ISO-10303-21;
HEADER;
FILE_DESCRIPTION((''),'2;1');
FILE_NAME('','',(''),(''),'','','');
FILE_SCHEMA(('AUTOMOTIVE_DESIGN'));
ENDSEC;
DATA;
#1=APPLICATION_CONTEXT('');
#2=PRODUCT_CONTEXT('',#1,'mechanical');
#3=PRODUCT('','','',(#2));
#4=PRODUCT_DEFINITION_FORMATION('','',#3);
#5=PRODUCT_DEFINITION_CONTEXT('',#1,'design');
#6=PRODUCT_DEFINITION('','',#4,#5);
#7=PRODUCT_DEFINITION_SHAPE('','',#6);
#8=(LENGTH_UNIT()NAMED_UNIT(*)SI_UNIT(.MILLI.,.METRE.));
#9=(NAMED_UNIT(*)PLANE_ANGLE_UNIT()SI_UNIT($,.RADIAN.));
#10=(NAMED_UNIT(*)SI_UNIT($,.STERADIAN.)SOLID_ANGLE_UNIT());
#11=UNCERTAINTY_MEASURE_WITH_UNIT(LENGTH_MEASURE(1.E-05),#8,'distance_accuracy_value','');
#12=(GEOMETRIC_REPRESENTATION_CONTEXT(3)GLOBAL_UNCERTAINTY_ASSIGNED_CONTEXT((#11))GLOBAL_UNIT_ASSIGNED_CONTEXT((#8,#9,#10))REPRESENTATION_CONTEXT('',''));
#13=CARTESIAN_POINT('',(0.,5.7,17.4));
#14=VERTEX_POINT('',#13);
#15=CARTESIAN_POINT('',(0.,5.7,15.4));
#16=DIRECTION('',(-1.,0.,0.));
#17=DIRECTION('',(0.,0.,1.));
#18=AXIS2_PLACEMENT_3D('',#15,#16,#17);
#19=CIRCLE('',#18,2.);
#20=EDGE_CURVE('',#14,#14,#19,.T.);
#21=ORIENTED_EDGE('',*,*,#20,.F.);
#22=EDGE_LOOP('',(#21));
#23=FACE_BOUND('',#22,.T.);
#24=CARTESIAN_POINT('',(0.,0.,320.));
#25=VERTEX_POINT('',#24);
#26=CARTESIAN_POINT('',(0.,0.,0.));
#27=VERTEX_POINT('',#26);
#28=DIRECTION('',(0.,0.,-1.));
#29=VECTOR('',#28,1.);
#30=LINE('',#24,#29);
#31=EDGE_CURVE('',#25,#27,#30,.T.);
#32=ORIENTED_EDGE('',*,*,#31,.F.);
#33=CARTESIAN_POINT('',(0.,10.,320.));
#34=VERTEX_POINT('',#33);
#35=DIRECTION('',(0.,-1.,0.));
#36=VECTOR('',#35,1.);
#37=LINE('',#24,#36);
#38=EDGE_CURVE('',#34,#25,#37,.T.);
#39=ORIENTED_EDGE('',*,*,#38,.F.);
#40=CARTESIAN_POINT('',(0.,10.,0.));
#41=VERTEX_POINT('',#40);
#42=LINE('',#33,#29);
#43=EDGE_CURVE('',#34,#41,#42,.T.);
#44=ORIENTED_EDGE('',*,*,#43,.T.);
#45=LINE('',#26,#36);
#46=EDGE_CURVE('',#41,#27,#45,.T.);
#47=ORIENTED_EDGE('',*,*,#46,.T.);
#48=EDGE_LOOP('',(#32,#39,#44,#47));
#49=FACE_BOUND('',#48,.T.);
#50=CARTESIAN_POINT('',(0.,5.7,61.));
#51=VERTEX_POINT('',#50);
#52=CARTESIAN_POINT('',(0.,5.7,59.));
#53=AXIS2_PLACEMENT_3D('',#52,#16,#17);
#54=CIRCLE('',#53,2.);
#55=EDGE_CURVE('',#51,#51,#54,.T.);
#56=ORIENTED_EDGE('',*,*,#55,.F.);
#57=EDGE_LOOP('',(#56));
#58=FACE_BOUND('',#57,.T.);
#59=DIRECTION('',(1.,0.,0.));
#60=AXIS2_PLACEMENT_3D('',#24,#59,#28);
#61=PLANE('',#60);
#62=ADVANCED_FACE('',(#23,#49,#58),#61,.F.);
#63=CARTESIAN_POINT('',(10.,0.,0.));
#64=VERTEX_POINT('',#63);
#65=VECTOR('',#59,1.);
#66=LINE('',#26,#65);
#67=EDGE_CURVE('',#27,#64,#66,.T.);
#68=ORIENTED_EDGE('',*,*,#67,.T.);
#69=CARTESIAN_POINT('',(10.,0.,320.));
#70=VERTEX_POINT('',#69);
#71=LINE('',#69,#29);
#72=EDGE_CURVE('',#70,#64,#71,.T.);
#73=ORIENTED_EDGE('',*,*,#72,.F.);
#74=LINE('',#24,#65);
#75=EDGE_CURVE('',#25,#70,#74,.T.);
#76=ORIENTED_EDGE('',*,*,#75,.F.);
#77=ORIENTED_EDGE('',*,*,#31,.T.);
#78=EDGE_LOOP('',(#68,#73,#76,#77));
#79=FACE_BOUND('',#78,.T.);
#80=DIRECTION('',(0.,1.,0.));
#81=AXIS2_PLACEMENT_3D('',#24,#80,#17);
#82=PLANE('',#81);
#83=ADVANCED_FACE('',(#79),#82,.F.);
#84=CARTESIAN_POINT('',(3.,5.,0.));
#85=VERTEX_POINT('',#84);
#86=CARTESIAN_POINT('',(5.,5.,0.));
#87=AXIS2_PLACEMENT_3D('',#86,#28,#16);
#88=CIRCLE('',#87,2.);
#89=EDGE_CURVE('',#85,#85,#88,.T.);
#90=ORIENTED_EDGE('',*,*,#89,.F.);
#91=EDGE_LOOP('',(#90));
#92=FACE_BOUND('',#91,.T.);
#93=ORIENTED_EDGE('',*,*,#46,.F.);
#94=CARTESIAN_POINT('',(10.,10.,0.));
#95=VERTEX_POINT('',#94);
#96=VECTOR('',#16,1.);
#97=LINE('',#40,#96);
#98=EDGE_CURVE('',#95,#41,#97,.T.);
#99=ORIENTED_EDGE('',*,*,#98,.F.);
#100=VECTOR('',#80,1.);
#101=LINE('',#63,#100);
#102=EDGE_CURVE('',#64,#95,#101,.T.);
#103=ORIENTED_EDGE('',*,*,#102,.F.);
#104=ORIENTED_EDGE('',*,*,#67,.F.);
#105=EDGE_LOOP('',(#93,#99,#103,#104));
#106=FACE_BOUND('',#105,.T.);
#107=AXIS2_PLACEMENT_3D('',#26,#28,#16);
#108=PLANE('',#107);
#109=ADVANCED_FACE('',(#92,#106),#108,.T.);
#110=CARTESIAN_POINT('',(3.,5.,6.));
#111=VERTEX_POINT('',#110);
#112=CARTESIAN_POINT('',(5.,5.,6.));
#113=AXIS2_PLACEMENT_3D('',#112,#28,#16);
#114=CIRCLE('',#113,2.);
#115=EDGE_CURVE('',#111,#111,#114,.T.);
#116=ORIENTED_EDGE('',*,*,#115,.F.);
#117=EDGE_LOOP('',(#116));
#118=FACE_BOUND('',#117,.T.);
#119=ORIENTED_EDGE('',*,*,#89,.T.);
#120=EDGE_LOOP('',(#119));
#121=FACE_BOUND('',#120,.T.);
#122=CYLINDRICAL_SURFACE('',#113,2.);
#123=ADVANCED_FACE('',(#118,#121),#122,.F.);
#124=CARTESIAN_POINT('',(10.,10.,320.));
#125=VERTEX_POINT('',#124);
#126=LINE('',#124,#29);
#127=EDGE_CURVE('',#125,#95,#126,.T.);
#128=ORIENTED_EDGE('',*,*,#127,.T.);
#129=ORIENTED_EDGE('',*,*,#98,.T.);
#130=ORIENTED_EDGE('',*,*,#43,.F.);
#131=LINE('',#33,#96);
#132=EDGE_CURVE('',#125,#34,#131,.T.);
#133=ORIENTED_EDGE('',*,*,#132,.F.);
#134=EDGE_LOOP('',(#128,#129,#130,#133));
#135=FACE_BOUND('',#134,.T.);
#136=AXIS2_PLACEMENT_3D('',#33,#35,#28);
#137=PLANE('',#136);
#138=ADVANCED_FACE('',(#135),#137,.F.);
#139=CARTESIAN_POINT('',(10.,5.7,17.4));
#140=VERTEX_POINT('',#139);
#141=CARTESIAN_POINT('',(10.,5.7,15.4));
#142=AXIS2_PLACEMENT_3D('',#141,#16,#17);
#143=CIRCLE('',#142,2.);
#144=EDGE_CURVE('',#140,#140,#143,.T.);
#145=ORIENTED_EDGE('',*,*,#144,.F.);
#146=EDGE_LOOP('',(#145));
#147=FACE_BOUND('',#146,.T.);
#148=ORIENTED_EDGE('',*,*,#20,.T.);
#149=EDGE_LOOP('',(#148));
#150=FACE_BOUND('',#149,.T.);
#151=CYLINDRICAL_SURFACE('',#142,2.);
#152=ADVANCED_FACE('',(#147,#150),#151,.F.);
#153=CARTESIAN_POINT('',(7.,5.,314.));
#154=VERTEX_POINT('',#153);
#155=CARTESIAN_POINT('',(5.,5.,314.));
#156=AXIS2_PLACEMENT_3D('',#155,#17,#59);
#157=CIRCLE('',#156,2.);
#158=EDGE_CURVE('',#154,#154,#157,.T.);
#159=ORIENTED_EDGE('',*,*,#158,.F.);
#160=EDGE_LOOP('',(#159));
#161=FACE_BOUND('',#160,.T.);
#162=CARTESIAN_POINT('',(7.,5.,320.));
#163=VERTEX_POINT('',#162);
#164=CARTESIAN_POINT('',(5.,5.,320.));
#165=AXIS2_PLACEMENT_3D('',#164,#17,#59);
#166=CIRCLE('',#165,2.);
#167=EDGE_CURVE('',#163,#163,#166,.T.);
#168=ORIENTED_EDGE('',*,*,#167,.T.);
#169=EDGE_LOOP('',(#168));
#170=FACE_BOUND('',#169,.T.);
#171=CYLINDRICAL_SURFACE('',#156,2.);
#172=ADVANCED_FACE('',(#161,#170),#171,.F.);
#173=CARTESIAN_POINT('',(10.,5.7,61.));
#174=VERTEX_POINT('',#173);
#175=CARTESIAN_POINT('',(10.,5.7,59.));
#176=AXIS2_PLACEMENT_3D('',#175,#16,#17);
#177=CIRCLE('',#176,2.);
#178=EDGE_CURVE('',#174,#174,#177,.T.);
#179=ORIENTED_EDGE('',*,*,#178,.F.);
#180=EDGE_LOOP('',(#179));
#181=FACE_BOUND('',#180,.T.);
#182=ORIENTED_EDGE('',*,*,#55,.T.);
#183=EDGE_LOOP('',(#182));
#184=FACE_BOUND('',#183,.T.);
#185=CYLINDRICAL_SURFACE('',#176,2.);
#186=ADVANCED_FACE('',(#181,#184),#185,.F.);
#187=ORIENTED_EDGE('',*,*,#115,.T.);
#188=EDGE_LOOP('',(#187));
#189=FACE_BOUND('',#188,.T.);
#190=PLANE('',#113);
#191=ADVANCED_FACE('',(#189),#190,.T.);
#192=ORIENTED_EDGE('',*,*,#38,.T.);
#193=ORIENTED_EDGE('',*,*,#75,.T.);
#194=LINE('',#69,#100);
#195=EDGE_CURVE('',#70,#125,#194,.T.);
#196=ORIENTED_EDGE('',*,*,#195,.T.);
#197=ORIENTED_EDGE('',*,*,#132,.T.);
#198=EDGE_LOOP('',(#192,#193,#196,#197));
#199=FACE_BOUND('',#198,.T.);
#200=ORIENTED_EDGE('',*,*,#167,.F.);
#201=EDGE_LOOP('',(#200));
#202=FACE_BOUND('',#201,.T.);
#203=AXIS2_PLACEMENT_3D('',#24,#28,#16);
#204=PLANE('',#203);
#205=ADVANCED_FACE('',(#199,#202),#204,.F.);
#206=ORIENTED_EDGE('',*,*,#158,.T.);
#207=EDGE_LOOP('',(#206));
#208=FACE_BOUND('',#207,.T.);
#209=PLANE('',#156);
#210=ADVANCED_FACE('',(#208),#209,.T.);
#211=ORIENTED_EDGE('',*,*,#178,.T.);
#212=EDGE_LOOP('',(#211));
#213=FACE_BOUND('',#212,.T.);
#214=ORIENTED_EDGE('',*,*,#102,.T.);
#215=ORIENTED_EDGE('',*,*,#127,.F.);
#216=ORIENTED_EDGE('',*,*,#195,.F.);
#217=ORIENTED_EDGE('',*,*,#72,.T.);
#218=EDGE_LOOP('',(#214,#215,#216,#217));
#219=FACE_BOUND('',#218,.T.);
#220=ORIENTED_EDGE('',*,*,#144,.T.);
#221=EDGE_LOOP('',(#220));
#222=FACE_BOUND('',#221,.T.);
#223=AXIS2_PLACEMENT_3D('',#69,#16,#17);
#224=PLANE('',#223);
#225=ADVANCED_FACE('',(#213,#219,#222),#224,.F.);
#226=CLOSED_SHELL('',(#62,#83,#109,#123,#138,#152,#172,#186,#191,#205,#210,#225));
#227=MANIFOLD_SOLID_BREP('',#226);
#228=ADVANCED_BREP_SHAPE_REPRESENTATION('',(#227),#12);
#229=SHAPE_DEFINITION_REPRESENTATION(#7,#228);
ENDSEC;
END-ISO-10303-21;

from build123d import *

# Parameters (mm, degrees)
ESQUISSE1_W             = 10
ESQUISSE1_H             = 10
BOSS_EXTRU_1_DEPTH      = 320
ESQUISSE2_R             = 2
ENL_V_MAT_EXTRU_1_DEPTH = 321.312347561
ESQUISSE3_R             = 2
ENL_V_MAT_EXTRU_2_DEPTH = 6
ENL_V_START             = -6
ESQUISSE4_R             = 2
ENL_V_MAT_EXTRU_3_DEPTH = 6


with BuildPart() as part:
    # Esquisse1 → Boss.-Extru.1 (new body)
    with BuildSketch(Plane.XY):
        with Locations((5, 5)):
            Rectangle(ESQUISSE1_W, ESQUISSE1_H)
    extrude(amount=BOSS_EXTRU_1_DEPTH)

    # Esquisse2 → Enlèv. mat.-Extru.1 (cut, through all)
    with BuildSketch(Plane.ZY):
        with Locations((15.4, 5.7)):
            Circle(ESQUISSE2_R)
        with Locations((59, 5.7)):
            Circle(ESQUISSE2_R)
    extrude(amount=-ENL_V_MAT_EXTRU_1_DEPTH, mode=Mode.SUBTRACT)

    # Esquisse3 → Enlèv. mat.-Extru.2 (cut)
    with BuildSketch(Plane(origin=(0, 0, 0), x_dir=(-1, 0, 0), z_dir=(0, 0, -1))):
        with Locations((-5, 5)):
            Circle(ESQUISSE3_R)
    extrude(amount=-ENL_V_MAT_EXTRU_2_DEPTH, mode=Mode.SUBTRACT)

    # Esquisse4 → Enlèv. mat.-Extru.3 (cut)
    with BuildSketch(Plane.XY.offset(320).offset(ENL_V_START)):
        with Locations(Location((5, 5, 0), (0, 0, 180))):
            Circle(ESQUISSE4_R)
    extrude(amount=ENL_V_MAT_EXTRU_3_DEPTH, mode=Mode.SUBTRACT)


solid = part.part
